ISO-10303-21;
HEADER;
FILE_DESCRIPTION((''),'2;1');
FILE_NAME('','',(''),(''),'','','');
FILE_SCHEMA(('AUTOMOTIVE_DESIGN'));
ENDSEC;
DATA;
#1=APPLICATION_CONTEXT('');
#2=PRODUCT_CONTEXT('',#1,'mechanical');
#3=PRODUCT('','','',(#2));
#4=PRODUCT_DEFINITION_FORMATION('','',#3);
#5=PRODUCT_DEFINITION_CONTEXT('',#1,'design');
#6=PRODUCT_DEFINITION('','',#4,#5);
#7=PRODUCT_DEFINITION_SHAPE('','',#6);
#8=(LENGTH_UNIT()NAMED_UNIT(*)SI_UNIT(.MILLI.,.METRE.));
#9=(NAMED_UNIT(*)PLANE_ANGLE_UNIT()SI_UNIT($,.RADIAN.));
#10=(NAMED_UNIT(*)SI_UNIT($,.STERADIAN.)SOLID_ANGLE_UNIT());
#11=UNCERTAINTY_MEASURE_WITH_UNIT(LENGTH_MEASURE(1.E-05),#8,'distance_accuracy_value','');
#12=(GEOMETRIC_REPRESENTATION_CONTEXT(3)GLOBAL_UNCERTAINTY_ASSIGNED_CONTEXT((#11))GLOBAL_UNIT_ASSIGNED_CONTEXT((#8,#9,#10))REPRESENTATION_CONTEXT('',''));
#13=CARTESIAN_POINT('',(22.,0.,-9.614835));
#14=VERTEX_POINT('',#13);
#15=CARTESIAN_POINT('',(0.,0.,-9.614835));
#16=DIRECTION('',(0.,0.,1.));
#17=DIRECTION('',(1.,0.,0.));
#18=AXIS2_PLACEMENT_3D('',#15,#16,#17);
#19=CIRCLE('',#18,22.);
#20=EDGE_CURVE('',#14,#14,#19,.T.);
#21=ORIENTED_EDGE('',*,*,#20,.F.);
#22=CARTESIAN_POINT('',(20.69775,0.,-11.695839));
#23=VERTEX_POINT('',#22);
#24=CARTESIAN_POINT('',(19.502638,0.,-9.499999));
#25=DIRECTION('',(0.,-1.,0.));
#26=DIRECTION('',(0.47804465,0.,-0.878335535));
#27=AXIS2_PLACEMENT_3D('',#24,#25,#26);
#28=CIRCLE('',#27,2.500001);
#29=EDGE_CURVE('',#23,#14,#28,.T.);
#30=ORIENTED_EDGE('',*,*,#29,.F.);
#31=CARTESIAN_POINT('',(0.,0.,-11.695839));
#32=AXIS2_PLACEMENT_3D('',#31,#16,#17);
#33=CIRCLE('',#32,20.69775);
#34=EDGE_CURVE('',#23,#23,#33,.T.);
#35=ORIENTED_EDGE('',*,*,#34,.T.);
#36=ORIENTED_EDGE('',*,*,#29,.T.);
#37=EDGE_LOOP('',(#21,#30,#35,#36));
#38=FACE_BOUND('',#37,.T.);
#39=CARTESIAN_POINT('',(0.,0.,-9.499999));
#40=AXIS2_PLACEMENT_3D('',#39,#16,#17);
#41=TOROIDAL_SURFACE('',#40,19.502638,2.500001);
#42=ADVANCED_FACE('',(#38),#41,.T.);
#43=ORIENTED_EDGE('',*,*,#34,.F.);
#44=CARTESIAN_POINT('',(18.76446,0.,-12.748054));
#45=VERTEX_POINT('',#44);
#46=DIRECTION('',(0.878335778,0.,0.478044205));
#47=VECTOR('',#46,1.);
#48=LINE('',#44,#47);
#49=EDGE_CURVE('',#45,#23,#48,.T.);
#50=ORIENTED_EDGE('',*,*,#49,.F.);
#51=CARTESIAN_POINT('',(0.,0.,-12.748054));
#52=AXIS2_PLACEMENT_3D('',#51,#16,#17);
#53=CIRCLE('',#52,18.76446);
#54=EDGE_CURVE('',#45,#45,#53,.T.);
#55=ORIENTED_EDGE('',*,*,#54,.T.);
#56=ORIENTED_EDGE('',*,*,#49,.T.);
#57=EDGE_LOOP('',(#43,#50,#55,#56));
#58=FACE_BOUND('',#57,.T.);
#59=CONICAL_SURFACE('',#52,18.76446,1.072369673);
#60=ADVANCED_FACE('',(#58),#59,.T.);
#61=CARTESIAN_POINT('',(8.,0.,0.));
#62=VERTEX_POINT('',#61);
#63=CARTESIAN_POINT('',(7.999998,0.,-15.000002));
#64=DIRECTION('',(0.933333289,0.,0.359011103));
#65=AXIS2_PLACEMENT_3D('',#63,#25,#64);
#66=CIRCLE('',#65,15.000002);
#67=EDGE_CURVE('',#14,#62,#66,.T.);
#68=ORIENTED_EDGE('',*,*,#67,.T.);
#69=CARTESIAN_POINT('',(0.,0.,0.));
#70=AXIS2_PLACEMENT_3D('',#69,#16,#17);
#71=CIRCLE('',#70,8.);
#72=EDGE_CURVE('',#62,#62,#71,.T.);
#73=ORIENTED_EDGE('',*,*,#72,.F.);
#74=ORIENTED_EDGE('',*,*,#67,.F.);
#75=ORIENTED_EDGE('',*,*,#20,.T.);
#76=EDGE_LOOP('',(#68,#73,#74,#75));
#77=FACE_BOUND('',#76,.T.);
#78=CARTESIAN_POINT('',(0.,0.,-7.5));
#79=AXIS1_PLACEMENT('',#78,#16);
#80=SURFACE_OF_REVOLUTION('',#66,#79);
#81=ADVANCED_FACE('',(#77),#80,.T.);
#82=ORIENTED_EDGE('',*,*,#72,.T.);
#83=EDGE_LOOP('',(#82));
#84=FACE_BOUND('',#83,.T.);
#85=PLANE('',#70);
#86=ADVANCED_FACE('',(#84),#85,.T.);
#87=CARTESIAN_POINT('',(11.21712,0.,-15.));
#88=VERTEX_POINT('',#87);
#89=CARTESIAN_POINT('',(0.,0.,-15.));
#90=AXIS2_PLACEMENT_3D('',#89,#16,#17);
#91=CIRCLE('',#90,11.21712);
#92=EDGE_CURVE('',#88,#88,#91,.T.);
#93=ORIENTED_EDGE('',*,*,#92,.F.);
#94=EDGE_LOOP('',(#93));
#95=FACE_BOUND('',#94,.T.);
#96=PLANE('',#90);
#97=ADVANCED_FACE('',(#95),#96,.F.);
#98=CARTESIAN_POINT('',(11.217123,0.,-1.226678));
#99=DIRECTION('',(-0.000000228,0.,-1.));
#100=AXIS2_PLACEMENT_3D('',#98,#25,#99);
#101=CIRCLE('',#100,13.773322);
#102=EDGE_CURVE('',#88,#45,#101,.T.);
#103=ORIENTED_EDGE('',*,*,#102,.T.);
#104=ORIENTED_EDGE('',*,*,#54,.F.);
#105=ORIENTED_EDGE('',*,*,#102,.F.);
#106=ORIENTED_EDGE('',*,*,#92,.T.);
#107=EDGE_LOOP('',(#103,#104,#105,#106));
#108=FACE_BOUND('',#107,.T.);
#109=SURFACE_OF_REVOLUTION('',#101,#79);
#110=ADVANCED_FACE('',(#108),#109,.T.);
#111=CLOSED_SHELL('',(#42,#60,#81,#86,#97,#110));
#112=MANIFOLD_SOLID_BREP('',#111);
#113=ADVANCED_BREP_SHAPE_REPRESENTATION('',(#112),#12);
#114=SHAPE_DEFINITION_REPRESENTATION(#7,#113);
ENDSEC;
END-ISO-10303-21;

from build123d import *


with BuildPart() as f1:
    # F0 (on Front) → F1 (revolve)
    with BuildSketch(Plane.XZ):
        with BuildLine():
            Line((8, 0), (0, 0))
            Line((0, 0), (0, -12))
            Line((0, -12), (19.502639, -12))
            ThreePointArc((19.502639, -12), (20.119243, -11.922767), (20.69775, -11.695839))
            ThreePointArc((20.69775, -11.695839), (21.621891, -10.826186), (22, -9.614835))
            ThreePointArc((22, -9.614835), (16.491835, -2.635182), (8, 0))
        make_face()
        with BuildLine():
            Line((19.502639, -12), (0, -12))
            Line((0, -12), (0, -15))
            Line((0, -15), (11.21712, -15))
            ThreePointArc((11.21712, -15), (15.155191, -14.425012), (18.76446, -12.748054))
            Line((18.76446, -12.748054), (20.69775, -11.695839))
            ThreePointArc((20.69775, -11.695839), (20.119243, -11.922767), (19.502639, -12))
        make_face()
    revolve(axis=Axis((0, 0, -7.5), (0, 0, 1)))


solid = f1.part
